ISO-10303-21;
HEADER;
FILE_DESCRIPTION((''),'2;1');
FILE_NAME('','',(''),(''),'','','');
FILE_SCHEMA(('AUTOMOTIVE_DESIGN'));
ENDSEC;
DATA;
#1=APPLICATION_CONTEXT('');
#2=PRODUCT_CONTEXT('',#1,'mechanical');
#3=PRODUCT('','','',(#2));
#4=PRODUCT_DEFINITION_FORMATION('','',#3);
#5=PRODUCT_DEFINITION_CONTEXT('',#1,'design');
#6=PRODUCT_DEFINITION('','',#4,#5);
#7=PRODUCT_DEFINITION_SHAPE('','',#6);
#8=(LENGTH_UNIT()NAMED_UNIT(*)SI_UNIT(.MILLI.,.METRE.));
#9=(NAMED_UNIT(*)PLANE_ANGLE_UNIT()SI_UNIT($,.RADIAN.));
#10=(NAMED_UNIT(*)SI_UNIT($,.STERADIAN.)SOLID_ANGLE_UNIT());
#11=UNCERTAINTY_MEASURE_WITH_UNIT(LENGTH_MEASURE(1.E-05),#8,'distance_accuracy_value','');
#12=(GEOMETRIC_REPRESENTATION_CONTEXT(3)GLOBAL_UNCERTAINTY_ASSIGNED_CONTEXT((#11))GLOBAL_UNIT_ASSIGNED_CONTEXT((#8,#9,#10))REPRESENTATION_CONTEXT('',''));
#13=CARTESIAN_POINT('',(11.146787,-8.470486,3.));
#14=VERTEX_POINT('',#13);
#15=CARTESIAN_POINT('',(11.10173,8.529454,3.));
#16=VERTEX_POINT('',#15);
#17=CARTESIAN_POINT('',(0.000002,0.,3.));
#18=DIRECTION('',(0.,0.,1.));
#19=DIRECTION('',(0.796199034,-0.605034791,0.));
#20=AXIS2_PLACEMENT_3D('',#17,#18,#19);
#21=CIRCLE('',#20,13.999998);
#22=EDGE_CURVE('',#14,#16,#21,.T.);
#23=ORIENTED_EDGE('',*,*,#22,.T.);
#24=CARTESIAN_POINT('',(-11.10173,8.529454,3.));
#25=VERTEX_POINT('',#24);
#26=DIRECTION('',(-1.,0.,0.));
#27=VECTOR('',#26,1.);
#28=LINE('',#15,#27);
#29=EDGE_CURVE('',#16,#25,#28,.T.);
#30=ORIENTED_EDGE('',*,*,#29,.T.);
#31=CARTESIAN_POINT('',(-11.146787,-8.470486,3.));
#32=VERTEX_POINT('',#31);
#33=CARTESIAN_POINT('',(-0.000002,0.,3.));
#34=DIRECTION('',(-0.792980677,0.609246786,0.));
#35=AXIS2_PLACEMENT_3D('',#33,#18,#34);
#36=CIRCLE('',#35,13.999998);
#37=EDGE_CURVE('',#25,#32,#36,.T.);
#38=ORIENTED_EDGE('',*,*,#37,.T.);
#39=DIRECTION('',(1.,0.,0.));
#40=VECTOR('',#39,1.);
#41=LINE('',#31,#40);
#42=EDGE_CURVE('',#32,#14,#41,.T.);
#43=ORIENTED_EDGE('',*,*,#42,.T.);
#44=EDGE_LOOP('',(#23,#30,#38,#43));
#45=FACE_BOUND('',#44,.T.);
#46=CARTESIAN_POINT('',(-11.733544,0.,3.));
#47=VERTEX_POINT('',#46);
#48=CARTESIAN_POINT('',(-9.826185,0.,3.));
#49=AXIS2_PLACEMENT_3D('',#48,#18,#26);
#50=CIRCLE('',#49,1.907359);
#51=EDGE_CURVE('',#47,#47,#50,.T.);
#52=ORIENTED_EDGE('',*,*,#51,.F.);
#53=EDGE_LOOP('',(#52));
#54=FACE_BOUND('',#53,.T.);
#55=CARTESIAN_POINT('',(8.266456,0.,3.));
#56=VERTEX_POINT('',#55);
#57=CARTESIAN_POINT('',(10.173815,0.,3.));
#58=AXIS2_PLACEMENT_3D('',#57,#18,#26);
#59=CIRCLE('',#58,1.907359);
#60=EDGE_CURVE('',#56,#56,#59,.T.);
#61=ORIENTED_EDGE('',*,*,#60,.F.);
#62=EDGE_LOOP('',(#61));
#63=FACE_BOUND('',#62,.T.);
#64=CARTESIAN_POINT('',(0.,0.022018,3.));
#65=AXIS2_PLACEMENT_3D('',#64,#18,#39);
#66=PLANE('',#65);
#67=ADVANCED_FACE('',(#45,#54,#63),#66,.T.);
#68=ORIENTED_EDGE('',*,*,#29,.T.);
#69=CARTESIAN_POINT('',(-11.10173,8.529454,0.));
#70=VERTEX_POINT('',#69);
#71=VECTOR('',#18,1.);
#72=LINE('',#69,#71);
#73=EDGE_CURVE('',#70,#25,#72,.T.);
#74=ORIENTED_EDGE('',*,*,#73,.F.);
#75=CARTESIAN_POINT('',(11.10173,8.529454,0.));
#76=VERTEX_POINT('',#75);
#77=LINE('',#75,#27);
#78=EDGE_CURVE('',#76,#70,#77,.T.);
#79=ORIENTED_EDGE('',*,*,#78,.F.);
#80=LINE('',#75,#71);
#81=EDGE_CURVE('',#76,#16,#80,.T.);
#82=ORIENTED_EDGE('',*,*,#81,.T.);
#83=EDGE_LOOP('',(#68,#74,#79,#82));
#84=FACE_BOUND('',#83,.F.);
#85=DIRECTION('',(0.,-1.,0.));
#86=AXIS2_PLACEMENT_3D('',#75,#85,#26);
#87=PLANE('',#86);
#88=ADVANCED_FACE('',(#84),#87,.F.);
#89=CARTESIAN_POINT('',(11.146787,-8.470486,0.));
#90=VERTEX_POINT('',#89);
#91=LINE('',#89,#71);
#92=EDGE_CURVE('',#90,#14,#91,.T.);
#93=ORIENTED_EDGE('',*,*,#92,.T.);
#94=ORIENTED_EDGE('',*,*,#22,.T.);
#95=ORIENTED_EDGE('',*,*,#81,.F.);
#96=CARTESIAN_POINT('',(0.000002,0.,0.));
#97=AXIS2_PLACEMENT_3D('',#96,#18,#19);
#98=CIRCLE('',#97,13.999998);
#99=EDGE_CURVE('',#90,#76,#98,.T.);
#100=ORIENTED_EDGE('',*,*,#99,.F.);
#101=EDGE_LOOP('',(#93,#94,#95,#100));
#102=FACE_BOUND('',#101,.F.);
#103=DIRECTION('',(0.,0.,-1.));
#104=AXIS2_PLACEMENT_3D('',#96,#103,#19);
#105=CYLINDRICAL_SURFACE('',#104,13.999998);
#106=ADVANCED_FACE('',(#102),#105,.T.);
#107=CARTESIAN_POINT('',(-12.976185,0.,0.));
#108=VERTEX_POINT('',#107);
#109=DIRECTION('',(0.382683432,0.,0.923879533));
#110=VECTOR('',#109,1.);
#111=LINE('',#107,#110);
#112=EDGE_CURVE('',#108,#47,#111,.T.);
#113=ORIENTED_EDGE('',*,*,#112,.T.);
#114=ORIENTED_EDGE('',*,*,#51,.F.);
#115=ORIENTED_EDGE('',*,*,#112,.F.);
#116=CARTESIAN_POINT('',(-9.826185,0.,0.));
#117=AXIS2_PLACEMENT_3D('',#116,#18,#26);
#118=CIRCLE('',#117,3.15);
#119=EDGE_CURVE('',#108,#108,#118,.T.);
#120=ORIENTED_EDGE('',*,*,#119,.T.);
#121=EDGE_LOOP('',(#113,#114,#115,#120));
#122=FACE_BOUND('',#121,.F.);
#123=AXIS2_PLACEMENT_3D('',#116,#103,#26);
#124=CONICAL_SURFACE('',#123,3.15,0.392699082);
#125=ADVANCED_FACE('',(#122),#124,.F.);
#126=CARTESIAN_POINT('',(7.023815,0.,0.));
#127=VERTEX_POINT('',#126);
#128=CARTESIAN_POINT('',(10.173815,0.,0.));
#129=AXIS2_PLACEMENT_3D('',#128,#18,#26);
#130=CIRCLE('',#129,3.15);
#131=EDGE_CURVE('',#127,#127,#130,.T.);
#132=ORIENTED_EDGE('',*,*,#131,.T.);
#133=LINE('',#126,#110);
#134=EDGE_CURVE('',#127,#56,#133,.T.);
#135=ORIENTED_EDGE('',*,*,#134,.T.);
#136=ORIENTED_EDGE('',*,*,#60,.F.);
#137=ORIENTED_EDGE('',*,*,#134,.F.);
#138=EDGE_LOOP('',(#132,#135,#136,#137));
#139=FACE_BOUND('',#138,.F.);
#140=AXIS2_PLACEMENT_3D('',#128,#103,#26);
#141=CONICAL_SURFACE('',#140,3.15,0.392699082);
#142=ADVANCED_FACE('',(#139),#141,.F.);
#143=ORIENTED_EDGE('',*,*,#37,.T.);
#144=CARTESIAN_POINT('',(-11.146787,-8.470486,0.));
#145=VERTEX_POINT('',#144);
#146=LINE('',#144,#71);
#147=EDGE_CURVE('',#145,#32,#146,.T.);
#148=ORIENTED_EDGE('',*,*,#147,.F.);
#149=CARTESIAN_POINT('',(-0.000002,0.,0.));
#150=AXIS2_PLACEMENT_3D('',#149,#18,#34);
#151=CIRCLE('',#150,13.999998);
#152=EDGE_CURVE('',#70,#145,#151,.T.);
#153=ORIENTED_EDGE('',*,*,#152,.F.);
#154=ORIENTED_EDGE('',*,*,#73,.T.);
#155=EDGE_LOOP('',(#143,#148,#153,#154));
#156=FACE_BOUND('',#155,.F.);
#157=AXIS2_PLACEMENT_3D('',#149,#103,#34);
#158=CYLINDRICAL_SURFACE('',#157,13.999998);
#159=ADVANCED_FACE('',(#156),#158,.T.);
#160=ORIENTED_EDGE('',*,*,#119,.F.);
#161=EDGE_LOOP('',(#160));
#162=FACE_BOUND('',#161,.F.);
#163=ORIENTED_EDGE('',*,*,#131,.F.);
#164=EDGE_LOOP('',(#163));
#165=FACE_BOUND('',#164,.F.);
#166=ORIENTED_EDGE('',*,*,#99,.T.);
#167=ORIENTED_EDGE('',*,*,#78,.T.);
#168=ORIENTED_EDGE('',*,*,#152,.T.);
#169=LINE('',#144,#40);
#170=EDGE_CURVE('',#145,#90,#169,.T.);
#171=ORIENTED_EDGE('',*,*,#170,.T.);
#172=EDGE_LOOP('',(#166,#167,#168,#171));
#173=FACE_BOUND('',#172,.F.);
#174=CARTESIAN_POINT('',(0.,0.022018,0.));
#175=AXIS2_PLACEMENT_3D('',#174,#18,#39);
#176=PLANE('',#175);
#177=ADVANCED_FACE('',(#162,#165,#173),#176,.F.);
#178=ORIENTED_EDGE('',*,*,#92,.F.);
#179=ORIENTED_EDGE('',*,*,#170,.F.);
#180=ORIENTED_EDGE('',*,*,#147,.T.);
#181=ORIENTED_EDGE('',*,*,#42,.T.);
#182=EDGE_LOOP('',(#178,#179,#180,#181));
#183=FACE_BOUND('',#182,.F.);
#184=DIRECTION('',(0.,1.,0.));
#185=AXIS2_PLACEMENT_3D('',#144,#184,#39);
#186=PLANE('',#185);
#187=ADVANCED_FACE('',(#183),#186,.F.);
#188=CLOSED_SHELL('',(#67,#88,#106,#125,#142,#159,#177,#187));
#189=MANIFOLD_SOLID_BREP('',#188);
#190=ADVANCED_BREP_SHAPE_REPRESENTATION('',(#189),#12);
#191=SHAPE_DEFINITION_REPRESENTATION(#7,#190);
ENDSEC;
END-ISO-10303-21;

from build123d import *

# Parameters (mm, degrees)
F1_DEPTH       = 3
F3_D           = 3.4
F3_CSINK_D     = 6.3
F3_CSINK_ANGLE = 45


with BuildPart() as f1:
    # F0 (on Top) → F1 (new body)
    with BuildSketch(Plane.XY):
        with BuildLine():
            Line((11.10173, 8.529454), (-11.10173, 8.529454))
            ThreePointArc((-11.10173, 8.529454), (-13.999951, 0.037106), (-11.146787, -8.470486))
            Line((-11.146787, -8.470486), (11.146787, -8.470486))
            ThreePointArc((11.146787, -8.470486), (13.999951, 0.037106), (11.10173, 8.529454))
        make_face()
    extrude(amount=F1_DEPTH)

    # F3 (through all)
    with Locations(Plane(origin=(0, 0, 0), x_dir=(1, 0, 0), z_dir=(0, 0, -1))):
        with Locations((-9.826185, 0), (10.173815, 0)):
            CounterSinkHole(F3_D / 2, F3_CSINK_D / 2, counter_sink_angle=F3_CSINK_ANGLE)


solid = f1.part
